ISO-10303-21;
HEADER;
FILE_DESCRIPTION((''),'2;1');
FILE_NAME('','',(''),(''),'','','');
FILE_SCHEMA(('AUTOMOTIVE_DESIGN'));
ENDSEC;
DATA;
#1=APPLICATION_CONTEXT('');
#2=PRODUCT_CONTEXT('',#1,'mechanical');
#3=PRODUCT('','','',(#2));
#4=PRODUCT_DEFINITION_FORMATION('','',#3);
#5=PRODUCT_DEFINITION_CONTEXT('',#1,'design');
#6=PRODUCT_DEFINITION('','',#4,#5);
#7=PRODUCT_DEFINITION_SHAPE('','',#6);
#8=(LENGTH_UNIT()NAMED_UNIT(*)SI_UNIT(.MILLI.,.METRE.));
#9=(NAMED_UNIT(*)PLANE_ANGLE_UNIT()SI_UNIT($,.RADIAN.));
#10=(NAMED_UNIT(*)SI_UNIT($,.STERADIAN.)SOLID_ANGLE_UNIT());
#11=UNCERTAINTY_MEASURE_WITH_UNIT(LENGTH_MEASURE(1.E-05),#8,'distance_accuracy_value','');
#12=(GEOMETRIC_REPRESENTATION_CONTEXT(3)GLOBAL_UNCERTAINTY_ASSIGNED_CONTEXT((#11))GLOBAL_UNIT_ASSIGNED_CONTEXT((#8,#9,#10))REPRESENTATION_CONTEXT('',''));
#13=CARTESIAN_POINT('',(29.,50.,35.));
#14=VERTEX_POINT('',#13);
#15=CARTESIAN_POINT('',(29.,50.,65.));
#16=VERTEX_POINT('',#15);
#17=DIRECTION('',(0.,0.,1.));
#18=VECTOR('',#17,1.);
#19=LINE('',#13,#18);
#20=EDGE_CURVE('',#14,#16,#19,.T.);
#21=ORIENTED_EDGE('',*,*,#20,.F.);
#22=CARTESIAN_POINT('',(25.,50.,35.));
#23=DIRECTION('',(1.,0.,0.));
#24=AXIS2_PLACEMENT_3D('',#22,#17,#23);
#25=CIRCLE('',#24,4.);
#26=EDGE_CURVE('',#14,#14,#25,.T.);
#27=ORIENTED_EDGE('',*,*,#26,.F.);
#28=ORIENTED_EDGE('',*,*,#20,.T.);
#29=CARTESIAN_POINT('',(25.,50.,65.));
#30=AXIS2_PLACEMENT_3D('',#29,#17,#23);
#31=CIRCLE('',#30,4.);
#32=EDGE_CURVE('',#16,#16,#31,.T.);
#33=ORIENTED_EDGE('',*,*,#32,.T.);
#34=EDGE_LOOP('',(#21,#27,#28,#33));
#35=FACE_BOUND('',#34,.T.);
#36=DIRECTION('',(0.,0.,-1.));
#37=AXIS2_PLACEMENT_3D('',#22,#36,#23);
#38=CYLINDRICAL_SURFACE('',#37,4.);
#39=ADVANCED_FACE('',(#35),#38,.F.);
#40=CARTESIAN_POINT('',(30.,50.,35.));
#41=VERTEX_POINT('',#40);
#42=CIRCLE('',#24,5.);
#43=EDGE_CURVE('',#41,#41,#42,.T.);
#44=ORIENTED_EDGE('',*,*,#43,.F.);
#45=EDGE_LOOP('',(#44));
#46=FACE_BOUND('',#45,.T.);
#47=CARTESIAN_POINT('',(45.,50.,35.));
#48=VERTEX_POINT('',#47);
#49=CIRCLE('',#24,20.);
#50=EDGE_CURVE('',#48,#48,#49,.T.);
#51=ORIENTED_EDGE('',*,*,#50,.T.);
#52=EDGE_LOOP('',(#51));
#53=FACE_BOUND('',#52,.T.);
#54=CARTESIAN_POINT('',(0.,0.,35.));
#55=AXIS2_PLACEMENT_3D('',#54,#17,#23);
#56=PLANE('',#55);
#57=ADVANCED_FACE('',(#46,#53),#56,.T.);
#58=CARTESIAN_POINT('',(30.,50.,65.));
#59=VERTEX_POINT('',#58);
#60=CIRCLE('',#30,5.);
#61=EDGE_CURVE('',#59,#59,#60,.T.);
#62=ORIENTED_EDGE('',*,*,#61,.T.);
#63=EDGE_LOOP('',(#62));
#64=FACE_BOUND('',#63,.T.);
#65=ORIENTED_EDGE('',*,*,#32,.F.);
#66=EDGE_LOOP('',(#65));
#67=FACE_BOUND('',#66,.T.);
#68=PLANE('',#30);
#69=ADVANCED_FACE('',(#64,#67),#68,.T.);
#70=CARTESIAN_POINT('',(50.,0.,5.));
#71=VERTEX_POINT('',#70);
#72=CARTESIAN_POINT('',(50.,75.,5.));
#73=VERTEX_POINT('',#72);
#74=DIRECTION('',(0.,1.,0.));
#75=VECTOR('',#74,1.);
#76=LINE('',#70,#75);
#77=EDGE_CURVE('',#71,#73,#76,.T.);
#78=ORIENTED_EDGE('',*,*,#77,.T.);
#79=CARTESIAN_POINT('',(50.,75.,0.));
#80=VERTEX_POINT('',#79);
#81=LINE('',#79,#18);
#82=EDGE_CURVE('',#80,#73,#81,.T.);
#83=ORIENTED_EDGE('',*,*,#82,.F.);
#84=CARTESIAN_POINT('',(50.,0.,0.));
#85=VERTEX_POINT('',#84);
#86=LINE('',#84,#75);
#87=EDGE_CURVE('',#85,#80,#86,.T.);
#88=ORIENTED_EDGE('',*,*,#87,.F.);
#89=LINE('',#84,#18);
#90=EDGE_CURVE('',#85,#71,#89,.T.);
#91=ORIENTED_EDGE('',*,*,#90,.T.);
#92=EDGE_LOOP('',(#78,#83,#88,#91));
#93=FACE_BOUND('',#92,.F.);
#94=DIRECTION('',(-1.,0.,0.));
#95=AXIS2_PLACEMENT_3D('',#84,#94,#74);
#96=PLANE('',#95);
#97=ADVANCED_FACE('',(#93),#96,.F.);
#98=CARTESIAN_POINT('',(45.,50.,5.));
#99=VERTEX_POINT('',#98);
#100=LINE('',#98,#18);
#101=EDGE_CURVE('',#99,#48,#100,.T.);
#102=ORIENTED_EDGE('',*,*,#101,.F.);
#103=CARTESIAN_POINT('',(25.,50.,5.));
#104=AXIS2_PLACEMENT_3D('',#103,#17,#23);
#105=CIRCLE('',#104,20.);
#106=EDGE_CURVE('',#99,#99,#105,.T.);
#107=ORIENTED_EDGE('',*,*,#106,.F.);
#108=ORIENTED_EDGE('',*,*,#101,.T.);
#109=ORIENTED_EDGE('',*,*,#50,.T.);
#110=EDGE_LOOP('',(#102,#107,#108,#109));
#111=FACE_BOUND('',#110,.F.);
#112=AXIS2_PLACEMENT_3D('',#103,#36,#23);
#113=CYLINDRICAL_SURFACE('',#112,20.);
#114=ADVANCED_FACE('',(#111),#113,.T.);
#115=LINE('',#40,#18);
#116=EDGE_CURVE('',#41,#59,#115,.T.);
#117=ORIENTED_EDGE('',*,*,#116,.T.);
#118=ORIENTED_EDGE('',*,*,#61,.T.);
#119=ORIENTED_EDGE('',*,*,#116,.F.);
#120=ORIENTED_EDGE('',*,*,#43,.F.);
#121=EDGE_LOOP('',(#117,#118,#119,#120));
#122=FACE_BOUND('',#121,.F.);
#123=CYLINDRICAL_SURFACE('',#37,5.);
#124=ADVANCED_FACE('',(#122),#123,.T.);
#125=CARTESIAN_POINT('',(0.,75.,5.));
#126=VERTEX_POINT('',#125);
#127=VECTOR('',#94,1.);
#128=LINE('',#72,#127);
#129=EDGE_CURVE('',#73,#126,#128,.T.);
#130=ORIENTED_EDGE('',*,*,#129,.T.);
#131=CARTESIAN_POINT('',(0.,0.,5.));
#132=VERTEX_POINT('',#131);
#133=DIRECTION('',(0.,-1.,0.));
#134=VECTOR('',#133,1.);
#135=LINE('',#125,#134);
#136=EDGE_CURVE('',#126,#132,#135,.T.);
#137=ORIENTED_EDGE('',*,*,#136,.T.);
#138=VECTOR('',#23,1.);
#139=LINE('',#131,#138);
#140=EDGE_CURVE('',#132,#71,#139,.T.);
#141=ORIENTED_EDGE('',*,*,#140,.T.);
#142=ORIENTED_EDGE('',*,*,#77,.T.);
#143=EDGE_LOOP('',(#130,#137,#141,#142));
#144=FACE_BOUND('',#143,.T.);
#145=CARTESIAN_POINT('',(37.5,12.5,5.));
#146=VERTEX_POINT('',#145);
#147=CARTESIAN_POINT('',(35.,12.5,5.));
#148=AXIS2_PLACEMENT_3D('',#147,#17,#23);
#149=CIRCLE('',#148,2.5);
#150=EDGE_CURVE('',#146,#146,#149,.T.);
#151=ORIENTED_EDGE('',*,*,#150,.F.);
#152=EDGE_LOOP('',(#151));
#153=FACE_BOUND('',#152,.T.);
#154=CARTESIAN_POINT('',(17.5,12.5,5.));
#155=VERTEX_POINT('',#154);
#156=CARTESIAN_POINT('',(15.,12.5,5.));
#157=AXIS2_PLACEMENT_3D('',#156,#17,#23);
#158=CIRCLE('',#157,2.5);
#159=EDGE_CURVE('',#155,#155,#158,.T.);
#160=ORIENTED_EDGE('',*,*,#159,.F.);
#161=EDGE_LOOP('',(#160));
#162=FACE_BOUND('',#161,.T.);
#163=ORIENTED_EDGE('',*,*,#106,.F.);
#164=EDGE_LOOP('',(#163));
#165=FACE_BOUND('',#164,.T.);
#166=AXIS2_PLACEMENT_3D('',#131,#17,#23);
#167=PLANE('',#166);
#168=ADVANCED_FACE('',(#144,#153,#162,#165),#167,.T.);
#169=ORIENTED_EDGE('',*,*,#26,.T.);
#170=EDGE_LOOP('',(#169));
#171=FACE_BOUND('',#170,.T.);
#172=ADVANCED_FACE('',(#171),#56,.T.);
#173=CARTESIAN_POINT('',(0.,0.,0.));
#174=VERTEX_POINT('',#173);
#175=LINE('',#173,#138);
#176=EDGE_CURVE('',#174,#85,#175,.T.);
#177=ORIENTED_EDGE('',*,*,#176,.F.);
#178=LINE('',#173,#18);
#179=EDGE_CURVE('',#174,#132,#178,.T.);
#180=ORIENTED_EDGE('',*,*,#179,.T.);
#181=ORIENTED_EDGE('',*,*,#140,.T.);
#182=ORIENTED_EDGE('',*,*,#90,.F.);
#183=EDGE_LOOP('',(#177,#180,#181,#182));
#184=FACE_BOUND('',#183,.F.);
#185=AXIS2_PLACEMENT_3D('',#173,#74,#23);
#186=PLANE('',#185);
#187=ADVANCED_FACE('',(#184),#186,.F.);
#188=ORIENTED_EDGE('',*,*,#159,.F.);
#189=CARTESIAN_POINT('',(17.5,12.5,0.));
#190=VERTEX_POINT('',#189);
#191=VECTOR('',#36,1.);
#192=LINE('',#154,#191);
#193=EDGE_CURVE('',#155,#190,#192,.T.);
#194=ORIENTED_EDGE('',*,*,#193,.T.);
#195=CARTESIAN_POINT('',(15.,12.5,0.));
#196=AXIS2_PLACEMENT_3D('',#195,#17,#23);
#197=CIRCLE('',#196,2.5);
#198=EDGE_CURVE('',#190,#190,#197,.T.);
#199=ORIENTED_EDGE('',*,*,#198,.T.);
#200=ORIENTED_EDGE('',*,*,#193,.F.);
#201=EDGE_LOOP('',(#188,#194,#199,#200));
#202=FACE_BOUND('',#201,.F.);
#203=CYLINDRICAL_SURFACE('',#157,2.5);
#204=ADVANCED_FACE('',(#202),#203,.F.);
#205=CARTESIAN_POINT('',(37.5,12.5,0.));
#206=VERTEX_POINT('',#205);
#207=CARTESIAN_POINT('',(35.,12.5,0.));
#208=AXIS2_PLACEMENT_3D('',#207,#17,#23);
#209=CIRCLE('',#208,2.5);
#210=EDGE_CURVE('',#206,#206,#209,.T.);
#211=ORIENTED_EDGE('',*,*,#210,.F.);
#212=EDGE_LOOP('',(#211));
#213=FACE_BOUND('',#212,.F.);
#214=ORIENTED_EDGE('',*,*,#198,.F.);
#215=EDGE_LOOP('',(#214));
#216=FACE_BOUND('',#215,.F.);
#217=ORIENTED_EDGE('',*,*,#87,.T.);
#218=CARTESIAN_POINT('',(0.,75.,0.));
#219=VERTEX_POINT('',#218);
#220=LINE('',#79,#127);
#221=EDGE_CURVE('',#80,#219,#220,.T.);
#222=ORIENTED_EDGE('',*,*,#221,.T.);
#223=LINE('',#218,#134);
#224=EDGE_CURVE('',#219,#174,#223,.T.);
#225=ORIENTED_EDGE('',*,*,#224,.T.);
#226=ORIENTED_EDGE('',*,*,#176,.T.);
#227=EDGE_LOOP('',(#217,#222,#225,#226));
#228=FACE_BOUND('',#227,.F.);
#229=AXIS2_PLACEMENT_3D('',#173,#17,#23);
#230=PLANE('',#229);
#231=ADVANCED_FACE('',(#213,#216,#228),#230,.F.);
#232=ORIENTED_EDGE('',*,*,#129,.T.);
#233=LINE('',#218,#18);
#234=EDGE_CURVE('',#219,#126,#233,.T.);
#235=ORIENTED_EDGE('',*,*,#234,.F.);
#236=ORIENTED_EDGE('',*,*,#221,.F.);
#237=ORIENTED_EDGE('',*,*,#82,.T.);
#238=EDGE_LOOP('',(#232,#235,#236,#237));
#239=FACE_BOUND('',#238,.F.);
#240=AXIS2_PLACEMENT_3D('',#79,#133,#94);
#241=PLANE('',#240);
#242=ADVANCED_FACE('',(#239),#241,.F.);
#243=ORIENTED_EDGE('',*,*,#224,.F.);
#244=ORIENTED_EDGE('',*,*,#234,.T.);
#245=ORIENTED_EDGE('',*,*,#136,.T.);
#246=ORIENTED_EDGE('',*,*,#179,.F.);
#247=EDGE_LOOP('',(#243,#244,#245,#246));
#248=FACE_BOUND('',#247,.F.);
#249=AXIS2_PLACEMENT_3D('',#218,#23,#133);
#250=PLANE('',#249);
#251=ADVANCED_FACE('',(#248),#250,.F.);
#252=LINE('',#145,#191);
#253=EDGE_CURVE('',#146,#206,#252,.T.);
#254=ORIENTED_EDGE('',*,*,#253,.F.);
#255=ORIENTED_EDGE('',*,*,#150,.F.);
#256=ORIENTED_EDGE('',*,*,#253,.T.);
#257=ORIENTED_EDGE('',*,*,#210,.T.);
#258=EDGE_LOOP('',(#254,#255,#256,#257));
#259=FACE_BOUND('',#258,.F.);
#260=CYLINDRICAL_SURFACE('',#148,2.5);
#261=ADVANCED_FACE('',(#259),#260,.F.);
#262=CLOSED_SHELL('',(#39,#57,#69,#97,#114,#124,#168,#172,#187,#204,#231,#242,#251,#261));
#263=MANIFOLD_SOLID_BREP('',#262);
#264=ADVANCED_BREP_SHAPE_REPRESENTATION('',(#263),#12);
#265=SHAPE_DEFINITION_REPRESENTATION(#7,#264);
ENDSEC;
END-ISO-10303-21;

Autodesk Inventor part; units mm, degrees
ref_plane "YZ Plane" through (0, 0, 0) normal (1, 0, 0) x (0, 1, 0)
ref_plane "XZ Plane" through (0, 0, 0) normal (0, 1, 0) x (-1, 0, 0)
ref_plane "XY Plane" through (0, 0, 0) normal (0, 0, 1) x (1, 0, 0)
sketch "Sketch1" plane through (0, 0, 0) normal (0, 0, 1) x (1, 0, 0)
  line L0 (0, 0) -> (50, 0)
  line L1 (50, 0) -> (50, 75)
  line L2 (50, 75) -> (0, 75)
  line L3 (0, 75) -> (0, 0)
  dimension "d0" = 50
  dimension "d1" = 75
extrude "Extrusion1" add sketch "Sketch1" along normal blind 5
sketch "Sketch2" plane through (0, 0, 5) normal (0, 0, 1) x (1, 0, 0)
  line L0 (0, 0) -> (50, 0) projected
  line L1 (50, 75) -> (0, 75) projected
  line L2 (0, 0) -> (50, 0)
  line L3 (50, 0) -> (50, 75)
  line L4 (50, 75) -> (0, 75)
  line L5 (0, 75) -> (0, 0)
  circle A0 centre (25, 50) radius 20
  dimension "d4" = 40
  dimension "d5" = 25
extrude "Extrusion2" add sketch "Sketch2" along normal blind 30 contours A0
sketch "Sketch3" plane through (25, 50, 35) normal (0, 0, 1) x (1, 0, 0)
  circle A0 centre (0, 0) radius 4
  circle A1 centre (0, 0) radius 5
  point P0 (-25, -50)
  dimension "d8" = 8
  dimension "d9" = 10
extrude "Extrusion3" add sketch "Sketch3" along normal blind 30
sketch "Sketch4" plane through (0, 0, 5) normal (0, 0, 1) x (1, 0, 0)
  circle A0 centre (35, 12.5) radius 2.5
  circle A1 centre (15, 12.5) radius 2.5
  line L0 (0, 75) -> (0, 0) projected
  line L1 (50, 0) -> (50, 75) projected
  line L2 (0, 0) -> (50, 0) projected
  dimension "d12" = 5
  dimension "d13" = 5
  dimension "d14" = 15
  dimension "d15" = 15
  dimension "d16" = 12.5
  dimension "d17" = 12.5
extrude "Extrusion4" cut sketch "Sketch4" against normal blind 10
thread "Thread1" size "M5x0.8" class "6H" standard "ANSI Metric M Profile" full length
thread "Thread2" size "M5x0.8" class "6H" standard "ANSI Metric M Profile" full length
properties part number "Pump"
